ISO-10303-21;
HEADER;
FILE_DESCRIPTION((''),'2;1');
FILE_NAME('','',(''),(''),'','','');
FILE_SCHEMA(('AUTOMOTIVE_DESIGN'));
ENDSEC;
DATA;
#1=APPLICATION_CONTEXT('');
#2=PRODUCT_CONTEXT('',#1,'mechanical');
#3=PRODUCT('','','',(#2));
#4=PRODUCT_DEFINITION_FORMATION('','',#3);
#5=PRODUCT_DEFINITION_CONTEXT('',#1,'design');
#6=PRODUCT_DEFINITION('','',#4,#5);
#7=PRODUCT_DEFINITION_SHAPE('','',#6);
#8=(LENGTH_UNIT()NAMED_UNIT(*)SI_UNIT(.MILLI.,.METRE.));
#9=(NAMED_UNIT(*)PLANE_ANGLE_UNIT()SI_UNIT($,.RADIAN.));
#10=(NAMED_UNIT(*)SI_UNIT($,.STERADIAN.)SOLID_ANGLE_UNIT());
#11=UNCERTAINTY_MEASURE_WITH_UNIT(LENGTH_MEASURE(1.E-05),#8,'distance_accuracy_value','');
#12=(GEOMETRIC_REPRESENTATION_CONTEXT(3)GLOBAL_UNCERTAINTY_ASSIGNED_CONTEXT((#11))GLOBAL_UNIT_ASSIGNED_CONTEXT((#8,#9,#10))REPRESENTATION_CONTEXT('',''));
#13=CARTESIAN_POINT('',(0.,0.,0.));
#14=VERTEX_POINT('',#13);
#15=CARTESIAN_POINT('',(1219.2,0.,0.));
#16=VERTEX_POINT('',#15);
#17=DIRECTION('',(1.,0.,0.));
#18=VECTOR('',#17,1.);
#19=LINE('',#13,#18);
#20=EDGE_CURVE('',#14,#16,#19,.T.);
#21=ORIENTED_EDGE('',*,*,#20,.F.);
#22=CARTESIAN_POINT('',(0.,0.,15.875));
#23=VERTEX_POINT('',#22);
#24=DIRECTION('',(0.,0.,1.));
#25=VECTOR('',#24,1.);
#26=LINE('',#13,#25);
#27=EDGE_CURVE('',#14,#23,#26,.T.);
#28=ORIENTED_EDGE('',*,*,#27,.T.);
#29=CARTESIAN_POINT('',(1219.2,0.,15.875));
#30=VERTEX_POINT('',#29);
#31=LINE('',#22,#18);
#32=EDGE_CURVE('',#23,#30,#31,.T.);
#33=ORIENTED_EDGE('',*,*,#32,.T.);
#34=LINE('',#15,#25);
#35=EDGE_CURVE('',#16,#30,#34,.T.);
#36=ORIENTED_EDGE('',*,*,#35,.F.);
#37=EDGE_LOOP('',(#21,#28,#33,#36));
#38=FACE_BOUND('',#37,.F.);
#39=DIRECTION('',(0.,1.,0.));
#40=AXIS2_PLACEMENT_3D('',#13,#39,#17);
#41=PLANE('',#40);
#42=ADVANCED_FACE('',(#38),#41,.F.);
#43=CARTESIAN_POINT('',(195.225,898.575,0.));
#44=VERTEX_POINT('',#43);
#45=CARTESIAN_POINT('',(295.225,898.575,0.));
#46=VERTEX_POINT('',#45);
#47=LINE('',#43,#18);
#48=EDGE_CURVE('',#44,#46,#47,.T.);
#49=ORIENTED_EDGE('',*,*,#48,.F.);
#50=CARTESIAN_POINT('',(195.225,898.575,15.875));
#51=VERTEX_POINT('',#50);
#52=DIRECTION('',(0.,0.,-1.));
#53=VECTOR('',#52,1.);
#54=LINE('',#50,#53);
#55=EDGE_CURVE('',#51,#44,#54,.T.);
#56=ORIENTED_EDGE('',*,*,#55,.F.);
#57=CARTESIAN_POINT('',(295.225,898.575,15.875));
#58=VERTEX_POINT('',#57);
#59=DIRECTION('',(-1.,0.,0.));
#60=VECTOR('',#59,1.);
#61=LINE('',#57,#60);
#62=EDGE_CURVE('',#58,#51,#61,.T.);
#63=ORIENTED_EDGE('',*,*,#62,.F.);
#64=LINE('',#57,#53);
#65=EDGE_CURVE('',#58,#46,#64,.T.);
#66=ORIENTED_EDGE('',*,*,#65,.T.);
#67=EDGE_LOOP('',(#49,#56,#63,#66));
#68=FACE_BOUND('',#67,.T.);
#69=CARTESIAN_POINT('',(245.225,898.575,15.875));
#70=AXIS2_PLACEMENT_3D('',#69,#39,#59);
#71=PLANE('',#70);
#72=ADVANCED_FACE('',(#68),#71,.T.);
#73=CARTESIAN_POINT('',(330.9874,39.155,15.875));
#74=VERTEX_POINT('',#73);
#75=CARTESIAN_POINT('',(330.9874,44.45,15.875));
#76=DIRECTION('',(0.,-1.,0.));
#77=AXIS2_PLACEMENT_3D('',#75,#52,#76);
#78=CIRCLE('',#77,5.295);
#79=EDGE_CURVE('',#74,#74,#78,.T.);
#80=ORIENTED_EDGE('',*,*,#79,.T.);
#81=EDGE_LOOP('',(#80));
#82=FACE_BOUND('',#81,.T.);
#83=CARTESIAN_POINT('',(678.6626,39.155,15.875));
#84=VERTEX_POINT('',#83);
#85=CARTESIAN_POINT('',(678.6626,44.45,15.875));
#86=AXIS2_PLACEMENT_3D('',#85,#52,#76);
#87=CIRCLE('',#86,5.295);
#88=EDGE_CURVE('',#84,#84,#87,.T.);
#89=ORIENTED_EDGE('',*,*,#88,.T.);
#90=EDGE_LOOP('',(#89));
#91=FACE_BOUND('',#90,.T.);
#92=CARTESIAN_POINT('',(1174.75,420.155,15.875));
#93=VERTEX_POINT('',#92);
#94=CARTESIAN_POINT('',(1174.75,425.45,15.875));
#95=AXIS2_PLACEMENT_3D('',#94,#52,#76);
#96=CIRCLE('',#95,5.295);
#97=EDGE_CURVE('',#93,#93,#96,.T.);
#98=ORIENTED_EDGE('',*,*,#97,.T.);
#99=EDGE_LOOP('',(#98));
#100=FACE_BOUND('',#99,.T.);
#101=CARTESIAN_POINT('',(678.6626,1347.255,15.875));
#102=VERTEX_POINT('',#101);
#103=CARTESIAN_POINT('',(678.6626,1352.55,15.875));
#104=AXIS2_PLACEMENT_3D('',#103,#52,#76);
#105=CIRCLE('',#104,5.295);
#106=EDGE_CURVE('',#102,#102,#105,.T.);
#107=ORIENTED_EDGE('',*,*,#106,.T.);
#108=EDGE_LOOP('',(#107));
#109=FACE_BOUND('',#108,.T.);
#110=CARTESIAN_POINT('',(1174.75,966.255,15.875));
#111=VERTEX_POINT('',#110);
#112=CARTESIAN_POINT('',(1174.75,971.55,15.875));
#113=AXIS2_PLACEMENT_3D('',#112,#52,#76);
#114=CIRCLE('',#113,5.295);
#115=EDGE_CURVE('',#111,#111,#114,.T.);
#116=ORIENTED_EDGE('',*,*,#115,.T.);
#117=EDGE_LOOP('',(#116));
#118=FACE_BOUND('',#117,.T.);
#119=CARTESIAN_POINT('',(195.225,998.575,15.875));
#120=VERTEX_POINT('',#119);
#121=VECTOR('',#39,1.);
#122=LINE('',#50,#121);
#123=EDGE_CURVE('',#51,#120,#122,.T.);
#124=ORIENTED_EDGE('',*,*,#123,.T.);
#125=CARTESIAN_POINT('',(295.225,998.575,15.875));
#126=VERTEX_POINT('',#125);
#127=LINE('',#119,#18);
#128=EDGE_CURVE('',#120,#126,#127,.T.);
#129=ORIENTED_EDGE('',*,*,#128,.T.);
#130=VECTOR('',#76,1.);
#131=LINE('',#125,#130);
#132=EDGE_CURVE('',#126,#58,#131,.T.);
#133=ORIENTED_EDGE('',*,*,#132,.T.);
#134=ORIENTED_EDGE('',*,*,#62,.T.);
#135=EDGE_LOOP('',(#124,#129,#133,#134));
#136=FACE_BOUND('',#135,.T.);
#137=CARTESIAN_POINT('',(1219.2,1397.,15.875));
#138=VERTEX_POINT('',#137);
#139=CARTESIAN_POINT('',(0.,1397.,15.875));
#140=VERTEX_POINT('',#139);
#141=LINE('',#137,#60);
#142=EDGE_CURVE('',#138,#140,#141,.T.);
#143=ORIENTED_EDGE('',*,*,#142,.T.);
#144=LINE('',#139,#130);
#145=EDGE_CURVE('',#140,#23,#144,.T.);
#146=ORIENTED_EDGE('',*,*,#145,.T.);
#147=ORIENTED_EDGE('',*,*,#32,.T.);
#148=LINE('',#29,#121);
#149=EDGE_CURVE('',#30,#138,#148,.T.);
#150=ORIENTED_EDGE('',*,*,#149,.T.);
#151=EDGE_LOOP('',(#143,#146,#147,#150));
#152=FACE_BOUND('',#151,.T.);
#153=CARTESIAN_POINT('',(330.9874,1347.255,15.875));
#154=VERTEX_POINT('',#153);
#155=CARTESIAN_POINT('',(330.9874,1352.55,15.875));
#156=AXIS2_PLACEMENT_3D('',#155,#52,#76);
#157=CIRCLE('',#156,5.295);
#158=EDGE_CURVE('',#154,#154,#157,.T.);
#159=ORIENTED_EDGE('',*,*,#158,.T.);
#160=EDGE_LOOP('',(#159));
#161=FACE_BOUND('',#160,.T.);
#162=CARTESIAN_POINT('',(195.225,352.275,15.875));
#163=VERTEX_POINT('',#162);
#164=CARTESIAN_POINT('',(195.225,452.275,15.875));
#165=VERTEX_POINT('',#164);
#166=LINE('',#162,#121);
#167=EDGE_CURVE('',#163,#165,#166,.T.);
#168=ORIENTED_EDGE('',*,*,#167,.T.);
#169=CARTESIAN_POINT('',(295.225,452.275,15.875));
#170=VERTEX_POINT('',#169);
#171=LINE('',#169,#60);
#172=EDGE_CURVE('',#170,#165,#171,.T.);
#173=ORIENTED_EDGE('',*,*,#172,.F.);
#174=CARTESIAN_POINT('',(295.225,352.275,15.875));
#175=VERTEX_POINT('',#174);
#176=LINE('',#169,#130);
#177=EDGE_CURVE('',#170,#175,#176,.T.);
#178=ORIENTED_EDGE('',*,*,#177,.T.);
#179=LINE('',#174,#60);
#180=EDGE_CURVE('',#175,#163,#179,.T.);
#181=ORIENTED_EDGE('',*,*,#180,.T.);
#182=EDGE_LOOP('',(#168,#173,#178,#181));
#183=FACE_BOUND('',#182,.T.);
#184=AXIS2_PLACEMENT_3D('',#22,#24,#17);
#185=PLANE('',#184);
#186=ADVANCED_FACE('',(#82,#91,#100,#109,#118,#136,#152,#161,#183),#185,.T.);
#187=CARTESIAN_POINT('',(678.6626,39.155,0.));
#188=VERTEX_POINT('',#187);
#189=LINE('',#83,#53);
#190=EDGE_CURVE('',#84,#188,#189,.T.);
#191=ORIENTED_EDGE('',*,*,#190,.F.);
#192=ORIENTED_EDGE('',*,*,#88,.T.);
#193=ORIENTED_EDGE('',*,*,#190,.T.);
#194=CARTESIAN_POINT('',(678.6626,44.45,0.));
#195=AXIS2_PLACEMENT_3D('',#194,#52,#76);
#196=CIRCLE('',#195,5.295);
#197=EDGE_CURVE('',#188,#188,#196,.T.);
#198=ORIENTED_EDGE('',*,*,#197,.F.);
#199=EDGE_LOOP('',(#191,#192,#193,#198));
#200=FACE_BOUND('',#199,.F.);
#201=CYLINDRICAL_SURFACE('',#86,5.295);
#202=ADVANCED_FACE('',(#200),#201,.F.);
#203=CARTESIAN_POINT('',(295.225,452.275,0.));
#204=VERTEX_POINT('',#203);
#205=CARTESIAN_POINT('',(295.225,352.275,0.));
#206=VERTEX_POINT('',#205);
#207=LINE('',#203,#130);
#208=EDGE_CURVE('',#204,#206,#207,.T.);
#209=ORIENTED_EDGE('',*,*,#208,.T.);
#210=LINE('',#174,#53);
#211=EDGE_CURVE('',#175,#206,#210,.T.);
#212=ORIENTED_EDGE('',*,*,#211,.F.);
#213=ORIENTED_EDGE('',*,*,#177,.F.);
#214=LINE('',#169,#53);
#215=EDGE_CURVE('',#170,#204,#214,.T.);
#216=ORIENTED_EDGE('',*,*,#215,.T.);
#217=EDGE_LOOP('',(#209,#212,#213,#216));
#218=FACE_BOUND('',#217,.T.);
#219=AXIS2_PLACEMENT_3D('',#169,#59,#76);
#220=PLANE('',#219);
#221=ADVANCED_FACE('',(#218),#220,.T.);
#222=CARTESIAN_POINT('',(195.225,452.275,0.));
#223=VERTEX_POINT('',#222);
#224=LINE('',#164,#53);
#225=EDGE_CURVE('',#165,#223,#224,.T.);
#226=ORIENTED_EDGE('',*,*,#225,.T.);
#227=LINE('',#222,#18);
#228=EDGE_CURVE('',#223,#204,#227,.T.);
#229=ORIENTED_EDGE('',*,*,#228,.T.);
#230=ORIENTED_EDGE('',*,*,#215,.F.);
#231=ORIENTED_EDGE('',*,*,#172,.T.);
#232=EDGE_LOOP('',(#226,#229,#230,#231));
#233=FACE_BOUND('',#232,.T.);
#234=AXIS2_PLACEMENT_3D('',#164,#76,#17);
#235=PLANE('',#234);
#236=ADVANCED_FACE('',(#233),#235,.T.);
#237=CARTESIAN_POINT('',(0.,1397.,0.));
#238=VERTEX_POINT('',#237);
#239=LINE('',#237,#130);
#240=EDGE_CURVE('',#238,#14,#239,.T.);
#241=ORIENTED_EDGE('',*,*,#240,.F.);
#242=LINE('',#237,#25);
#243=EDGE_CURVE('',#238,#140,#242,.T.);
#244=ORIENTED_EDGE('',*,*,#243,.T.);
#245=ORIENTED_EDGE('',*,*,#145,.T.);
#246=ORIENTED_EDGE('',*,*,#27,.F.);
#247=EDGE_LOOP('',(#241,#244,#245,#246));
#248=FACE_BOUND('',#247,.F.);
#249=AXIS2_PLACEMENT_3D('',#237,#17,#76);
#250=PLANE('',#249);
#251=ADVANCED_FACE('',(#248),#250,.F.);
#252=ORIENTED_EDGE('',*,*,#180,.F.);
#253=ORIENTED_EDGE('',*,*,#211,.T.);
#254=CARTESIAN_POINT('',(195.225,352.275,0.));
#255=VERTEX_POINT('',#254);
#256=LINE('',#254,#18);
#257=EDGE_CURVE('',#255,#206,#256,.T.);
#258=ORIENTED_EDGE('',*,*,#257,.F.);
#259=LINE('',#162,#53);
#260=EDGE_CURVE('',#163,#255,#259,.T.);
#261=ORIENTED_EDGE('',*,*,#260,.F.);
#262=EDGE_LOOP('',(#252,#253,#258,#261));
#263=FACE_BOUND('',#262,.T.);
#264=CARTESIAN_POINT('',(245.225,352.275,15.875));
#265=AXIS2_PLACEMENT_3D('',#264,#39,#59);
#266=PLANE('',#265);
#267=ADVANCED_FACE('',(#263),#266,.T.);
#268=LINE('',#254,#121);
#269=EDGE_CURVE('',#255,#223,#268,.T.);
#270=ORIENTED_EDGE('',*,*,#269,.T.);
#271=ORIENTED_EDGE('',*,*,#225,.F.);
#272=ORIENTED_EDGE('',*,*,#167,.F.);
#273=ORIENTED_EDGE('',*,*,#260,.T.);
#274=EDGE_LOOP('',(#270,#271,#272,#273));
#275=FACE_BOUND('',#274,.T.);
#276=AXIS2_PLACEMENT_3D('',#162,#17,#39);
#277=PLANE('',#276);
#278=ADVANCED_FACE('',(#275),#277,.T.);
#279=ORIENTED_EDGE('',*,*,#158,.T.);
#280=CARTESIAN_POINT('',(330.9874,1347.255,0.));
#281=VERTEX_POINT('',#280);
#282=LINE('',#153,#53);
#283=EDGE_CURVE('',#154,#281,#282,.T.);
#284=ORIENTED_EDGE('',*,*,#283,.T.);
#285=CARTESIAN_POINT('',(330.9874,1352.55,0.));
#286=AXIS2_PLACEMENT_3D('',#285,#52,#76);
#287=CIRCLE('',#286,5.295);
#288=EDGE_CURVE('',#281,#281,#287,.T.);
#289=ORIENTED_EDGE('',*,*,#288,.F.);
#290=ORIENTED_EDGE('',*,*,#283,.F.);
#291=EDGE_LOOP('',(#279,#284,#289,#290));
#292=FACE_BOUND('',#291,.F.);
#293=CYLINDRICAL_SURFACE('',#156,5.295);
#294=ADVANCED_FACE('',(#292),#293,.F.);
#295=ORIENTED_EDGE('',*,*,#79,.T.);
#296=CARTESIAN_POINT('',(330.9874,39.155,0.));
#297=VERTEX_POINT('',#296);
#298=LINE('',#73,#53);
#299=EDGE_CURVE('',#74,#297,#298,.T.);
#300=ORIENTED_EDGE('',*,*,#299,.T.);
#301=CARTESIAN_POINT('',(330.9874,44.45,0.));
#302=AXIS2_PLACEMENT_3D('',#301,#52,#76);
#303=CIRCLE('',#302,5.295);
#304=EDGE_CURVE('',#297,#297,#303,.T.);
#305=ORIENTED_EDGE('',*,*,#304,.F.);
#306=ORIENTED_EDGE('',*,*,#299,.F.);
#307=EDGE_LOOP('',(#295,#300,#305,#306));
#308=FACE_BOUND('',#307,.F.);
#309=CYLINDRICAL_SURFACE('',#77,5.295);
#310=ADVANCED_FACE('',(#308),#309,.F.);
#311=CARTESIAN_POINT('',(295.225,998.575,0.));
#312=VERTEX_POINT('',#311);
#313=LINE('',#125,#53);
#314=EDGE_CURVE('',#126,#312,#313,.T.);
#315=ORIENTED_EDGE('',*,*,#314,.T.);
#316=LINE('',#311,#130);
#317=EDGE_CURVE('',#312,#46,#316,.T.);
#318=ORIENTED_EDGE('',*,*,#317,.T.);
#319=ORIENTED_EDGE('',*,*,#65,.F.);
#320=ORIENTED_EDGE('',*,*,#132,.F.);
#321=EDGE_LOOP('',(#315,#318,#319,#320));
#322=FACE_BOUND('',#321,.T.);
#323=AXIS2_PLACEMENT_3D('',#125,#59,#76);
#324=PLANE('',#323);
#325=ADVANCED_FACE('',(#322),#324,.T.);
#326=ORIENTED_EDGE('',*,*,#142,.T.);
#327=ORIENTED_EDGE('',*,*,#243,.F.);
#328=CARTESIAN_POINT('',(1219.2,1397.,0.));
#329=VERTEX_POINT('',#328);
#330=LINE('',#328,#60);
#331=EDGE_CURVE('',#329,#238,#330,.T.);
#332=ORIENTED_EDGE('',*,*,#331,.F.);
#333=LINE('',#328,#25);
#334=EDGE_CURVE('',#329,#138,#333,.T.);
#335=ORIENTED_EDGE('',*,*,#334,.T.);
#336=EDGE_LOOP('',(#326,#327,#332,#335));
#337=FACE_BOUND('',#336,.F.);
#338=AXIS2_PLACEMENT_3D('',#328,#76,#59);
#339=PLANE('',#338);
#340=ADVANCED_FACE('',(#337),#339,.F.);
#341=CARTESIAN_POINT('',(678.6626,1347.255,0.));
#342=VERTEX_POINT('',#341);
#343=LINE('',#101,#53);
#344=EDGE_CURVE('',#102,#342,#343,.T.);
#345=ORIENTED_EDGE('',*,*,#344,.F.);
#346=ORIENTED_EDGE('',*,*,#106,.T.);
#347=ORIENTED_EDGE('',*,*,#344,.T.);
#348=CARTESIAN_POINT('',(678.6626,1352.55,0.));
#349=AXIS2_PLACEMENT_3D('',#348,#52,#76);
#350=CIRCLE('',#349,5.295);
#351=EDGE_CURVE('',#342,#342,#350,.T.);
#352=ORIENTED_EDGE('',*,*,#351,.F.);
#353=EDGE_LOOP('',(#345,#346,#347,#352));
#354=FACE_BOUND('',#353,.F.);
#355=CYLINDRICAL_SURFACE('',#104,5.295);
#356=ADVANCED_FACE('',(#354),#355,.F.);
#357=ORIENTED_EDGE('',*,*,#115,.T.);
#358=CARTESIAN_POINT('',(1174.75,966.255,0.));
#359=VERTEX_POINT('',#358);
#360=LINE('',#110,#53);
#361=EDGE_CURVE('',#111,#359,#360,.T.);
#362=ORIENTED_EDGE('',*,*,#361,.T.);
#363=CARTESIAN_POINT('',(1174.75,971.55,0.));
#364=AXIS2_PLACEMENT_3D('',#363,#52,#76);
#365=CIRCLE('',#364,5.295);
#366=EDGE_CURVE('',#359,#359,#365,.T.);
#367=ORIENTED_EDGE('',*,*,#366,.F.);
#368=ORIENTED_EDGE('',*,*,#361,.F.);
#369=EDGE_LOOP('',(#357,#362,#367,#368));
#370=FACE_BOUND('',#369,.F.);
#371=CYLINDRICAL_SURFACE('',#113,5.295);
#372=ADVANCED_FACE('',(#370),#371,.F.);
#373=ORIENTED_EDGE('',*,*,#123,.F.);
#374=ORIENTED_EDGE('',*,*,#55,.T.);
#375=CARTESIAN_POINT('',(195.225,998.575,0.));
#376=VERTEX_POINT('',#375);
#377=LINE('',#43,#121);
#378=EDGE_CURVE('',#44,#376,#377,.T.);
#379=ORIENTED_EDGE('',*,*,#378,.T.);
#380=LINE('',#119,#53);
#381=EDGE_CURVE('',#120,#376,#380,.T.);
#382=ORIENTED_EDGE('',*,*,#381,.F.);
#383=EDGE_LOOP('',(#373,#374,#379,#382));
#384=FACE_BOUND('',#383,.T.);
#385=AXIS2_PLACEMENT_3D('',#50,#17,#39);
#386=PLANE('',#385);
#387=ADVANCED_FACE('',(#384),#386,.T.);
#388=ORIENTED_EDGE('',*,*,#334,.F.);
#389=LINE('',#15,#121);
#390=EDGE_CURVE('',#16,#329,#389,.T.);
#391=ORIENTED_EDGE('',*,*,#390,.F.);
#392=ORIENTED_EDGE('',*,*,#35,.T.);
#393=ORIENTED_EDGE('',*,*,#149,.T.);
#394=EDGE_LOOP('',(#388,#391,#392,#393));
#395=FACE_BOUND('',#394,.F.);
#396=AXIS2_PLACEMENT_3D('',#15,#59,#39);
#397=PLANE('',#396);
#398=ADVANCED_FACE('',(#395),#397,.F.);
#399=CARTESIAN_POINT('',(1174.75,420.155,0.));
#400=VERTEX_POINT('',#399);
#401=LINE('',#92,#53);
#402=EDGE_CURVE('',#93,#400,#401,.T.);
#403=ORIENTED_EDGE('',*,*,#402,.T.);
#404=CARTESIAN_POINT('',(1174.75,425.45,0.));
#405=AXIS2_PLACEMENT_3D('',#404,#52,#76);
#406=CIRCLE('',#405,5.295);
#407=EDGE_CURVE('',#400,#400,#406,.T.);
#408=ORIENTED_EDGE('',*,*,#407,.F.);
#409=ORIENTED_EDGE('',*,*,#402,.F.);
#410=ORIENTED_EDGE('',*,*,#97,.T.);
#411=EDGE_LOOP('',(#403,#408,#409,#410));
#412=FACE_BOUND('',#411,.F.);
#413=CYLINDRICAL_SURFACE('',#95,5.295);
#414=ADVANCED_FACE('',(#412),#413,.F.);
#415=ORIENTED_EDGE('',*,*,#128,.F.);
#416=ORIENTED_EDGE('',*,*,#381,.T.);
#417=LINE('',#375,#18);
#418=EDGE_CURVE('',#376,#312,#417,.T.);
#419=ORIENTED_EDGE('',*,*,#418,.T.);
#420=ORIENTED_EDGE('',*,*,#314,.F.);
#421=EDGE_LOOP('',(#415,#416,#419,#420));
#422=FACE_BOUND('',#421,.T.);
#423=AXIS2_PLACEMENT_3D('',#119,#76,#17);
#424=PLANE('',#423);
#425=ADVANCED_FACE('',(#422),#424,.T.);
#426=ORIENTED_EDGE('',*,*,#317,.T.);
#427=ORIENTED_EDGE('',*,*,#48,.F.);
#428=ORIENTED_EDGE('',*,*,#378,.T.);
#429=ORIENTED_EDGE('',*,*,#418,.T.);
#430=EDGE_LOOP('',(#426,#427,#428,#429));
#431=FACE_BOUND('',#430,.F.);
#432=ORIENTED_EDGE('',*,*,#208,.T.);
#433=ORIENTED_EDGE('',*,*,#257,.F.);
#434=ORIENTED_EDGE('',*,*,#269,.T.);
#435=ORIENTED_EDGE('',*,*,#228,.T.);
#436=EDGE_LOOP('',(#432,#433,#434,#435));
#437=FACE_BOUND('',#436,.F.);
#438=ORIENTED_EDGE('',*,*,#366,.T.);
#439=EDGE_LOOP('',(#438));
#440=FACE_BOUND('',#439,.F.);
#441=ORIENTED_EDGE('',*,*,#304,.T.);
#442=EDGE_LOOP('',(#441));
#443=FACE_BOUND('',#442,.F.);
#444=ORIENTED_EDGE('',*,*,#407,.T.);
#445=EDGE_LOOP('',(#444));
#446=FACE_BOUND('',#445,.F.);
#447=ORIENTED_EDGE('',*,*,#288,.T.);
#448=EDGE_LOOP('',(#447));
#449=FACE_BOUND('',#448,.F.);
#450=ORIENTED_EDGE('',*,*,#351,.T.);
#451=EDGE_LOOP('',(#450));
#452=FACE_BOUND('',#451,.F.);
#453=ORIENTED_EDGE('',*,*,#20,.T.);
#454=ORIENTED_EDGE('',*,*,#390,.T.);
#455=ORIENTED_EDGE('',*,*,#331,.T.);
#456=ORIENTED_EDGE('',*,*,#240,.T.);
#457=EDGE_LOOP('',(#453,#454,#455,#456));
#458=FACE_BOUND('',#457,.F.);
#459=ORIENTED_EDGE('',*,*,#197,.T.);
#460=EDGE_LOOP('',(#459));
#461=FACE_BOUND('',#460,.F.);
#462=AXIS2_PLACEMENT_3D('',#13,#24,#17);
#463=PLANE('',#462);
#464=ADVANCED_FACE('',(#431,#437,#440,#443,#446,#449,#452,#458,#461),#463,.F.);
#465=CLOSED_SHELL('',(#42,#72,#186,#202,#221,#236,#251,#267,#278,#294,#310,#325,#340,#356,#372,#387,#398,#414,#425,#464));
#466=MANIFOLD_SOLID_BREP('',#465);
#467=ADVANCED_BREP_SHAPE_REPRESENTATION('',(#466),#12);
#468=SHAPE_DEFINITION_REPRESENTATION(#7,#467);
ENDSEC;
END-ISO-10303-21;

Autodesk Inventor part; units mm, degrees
ref_plane "YZ Plane" through (0, 0, 0) normal (1, 0, 0) x (0, 1, 0)
ref_plane "XZ Plane" through (0, 0, 0) normal (0, 1, 0) x (-1, 0, 0)
ref_plane "XY Plane" through (0, 0, 0) normal (0, 0, 1) x (1, 0, 0)
sketch "Sketch1" plane through (0, 0, 0) normal (0, 0, 1) x (1, 0, 0)
  line L0 (0, 0) -> (1219.2, 0)
  line L1 (1219.2, 0) -> (1219.2, 1397)
  line L2 (1219.2, 1397) -> (0, 1397)
  line L3 (0, 1397) -> (0, 0)
  dimension "d0" = 1219.2
  dimension "d1" = 1397
extrude "Extrusion1" add sketch "Sketch1" along normal blind 15.875
sketch "Sketch8" plane through (0, 0, 15.875) normal (0, 0, 1) x (1, 0, 0)
  line L0 (1219.2, 0) -> (1219.2, 1397) projected
  point P0 (330.9874, 1352.55)
  point P1 (678.6626, 1352.55)
  point P2 (1174.75, 971.55)
  point P3 (1174.75, 425.45)
  point P4 (678.6626, 44.45)
  point P5 (330.9874, 44.45)
  point P6 (330.9874, 1352.55)
  point P7 (678.6626, 1352.55)
  point P8 (1174.75, 971.55)
  point P9 (1174.75, 425.45)
  point P10 (678.6626, 44.45)
  point P11 (330.9874, 44.45)
hole "Hole4" at (330.9874, 1352.55, 15.875) at (678.6626, 1352.55, 15.875) at (1174.75, 971.55, 15.875) at (1174.75, 425.45, 15.875) at (678.6626, 44.45, 15.875) at (330.9874, 44.45, 15.875) direction (0, 0, -1) diameter 10.59 end through all thread size "1/2-13 UNC" class "2B" standard "ANSI Unified Screw Threads"
sketch "Sketch14" plane through (0, 0, 15.875) normal (0, 0, 1) x (1, 0, 0)
  line L0 (1219.2, 0) -> (1219.2, 1397) projected
  line L1 (1219.2, 0) -> (1219.2, 88.9)
  line L2 (1219.2, 88.9) -> (1130.3, 88.9)
  line L3 (1130.3, 88.9) -> (1130.3, 104.775)
  line L4 (1130.3, 104.775) -> (1114.425, 104.775)
  line L5 (1114.425, 104.775) -> (245.225, 104.775)
  line L6 (245.225, 104.775) -> (245.225, 402.275)
  line L7 (295.225, 352.275) -> (195.225, 352.275)
  line L8 (195.225, 352.275) -> (195.225, 452.275)
  line L9 (195.225, 452.275) -> (295.225, 452.275)
  line L10 (295.225, 452.275) -> (295.225, 352.275)
  line L11 (295.225, 352.275) -> (195.225, 452.275) construction
  line L12 (195.225, 352.275) -> (295.225, 452.275) construction
  line L13 (245.225, 104.775) -> (245.225, 948.575)
  line L14 (295.225, 898.575) -> (195.225, 898.575)
  line L15 (195.225, 898.575) -> (195.225, 998.575)
  line L16 (195.225, 998.575) -> (295.225, 998.575)
  line L17 (295.225, 998.575) -> (295.225, 898.575)
  line L18 (295.225, 898.575) -> (195.225, 998.575) construction
  line L19 (195.225, 898.575) -> (295.225, 998.575) construction
  dimension "d80" = 88.9
  dimension "d81" = 88.9
  dimension "d82" = 15.875
  dimension "d83" = 15.875
  dimension "d84" = 869.2
  dimension "d85" = 297.5
  dimension "d86" = 100
  dimension "d87" = 100
  dimension "d88" = 843.8
  dimension "d89" = 100
  dimension "d90" = 100
extrude "Extrusion5" cut sketch "Sketch14" against normal blind 15.875
properties part number "model 2 comp 2 floor part 2"
